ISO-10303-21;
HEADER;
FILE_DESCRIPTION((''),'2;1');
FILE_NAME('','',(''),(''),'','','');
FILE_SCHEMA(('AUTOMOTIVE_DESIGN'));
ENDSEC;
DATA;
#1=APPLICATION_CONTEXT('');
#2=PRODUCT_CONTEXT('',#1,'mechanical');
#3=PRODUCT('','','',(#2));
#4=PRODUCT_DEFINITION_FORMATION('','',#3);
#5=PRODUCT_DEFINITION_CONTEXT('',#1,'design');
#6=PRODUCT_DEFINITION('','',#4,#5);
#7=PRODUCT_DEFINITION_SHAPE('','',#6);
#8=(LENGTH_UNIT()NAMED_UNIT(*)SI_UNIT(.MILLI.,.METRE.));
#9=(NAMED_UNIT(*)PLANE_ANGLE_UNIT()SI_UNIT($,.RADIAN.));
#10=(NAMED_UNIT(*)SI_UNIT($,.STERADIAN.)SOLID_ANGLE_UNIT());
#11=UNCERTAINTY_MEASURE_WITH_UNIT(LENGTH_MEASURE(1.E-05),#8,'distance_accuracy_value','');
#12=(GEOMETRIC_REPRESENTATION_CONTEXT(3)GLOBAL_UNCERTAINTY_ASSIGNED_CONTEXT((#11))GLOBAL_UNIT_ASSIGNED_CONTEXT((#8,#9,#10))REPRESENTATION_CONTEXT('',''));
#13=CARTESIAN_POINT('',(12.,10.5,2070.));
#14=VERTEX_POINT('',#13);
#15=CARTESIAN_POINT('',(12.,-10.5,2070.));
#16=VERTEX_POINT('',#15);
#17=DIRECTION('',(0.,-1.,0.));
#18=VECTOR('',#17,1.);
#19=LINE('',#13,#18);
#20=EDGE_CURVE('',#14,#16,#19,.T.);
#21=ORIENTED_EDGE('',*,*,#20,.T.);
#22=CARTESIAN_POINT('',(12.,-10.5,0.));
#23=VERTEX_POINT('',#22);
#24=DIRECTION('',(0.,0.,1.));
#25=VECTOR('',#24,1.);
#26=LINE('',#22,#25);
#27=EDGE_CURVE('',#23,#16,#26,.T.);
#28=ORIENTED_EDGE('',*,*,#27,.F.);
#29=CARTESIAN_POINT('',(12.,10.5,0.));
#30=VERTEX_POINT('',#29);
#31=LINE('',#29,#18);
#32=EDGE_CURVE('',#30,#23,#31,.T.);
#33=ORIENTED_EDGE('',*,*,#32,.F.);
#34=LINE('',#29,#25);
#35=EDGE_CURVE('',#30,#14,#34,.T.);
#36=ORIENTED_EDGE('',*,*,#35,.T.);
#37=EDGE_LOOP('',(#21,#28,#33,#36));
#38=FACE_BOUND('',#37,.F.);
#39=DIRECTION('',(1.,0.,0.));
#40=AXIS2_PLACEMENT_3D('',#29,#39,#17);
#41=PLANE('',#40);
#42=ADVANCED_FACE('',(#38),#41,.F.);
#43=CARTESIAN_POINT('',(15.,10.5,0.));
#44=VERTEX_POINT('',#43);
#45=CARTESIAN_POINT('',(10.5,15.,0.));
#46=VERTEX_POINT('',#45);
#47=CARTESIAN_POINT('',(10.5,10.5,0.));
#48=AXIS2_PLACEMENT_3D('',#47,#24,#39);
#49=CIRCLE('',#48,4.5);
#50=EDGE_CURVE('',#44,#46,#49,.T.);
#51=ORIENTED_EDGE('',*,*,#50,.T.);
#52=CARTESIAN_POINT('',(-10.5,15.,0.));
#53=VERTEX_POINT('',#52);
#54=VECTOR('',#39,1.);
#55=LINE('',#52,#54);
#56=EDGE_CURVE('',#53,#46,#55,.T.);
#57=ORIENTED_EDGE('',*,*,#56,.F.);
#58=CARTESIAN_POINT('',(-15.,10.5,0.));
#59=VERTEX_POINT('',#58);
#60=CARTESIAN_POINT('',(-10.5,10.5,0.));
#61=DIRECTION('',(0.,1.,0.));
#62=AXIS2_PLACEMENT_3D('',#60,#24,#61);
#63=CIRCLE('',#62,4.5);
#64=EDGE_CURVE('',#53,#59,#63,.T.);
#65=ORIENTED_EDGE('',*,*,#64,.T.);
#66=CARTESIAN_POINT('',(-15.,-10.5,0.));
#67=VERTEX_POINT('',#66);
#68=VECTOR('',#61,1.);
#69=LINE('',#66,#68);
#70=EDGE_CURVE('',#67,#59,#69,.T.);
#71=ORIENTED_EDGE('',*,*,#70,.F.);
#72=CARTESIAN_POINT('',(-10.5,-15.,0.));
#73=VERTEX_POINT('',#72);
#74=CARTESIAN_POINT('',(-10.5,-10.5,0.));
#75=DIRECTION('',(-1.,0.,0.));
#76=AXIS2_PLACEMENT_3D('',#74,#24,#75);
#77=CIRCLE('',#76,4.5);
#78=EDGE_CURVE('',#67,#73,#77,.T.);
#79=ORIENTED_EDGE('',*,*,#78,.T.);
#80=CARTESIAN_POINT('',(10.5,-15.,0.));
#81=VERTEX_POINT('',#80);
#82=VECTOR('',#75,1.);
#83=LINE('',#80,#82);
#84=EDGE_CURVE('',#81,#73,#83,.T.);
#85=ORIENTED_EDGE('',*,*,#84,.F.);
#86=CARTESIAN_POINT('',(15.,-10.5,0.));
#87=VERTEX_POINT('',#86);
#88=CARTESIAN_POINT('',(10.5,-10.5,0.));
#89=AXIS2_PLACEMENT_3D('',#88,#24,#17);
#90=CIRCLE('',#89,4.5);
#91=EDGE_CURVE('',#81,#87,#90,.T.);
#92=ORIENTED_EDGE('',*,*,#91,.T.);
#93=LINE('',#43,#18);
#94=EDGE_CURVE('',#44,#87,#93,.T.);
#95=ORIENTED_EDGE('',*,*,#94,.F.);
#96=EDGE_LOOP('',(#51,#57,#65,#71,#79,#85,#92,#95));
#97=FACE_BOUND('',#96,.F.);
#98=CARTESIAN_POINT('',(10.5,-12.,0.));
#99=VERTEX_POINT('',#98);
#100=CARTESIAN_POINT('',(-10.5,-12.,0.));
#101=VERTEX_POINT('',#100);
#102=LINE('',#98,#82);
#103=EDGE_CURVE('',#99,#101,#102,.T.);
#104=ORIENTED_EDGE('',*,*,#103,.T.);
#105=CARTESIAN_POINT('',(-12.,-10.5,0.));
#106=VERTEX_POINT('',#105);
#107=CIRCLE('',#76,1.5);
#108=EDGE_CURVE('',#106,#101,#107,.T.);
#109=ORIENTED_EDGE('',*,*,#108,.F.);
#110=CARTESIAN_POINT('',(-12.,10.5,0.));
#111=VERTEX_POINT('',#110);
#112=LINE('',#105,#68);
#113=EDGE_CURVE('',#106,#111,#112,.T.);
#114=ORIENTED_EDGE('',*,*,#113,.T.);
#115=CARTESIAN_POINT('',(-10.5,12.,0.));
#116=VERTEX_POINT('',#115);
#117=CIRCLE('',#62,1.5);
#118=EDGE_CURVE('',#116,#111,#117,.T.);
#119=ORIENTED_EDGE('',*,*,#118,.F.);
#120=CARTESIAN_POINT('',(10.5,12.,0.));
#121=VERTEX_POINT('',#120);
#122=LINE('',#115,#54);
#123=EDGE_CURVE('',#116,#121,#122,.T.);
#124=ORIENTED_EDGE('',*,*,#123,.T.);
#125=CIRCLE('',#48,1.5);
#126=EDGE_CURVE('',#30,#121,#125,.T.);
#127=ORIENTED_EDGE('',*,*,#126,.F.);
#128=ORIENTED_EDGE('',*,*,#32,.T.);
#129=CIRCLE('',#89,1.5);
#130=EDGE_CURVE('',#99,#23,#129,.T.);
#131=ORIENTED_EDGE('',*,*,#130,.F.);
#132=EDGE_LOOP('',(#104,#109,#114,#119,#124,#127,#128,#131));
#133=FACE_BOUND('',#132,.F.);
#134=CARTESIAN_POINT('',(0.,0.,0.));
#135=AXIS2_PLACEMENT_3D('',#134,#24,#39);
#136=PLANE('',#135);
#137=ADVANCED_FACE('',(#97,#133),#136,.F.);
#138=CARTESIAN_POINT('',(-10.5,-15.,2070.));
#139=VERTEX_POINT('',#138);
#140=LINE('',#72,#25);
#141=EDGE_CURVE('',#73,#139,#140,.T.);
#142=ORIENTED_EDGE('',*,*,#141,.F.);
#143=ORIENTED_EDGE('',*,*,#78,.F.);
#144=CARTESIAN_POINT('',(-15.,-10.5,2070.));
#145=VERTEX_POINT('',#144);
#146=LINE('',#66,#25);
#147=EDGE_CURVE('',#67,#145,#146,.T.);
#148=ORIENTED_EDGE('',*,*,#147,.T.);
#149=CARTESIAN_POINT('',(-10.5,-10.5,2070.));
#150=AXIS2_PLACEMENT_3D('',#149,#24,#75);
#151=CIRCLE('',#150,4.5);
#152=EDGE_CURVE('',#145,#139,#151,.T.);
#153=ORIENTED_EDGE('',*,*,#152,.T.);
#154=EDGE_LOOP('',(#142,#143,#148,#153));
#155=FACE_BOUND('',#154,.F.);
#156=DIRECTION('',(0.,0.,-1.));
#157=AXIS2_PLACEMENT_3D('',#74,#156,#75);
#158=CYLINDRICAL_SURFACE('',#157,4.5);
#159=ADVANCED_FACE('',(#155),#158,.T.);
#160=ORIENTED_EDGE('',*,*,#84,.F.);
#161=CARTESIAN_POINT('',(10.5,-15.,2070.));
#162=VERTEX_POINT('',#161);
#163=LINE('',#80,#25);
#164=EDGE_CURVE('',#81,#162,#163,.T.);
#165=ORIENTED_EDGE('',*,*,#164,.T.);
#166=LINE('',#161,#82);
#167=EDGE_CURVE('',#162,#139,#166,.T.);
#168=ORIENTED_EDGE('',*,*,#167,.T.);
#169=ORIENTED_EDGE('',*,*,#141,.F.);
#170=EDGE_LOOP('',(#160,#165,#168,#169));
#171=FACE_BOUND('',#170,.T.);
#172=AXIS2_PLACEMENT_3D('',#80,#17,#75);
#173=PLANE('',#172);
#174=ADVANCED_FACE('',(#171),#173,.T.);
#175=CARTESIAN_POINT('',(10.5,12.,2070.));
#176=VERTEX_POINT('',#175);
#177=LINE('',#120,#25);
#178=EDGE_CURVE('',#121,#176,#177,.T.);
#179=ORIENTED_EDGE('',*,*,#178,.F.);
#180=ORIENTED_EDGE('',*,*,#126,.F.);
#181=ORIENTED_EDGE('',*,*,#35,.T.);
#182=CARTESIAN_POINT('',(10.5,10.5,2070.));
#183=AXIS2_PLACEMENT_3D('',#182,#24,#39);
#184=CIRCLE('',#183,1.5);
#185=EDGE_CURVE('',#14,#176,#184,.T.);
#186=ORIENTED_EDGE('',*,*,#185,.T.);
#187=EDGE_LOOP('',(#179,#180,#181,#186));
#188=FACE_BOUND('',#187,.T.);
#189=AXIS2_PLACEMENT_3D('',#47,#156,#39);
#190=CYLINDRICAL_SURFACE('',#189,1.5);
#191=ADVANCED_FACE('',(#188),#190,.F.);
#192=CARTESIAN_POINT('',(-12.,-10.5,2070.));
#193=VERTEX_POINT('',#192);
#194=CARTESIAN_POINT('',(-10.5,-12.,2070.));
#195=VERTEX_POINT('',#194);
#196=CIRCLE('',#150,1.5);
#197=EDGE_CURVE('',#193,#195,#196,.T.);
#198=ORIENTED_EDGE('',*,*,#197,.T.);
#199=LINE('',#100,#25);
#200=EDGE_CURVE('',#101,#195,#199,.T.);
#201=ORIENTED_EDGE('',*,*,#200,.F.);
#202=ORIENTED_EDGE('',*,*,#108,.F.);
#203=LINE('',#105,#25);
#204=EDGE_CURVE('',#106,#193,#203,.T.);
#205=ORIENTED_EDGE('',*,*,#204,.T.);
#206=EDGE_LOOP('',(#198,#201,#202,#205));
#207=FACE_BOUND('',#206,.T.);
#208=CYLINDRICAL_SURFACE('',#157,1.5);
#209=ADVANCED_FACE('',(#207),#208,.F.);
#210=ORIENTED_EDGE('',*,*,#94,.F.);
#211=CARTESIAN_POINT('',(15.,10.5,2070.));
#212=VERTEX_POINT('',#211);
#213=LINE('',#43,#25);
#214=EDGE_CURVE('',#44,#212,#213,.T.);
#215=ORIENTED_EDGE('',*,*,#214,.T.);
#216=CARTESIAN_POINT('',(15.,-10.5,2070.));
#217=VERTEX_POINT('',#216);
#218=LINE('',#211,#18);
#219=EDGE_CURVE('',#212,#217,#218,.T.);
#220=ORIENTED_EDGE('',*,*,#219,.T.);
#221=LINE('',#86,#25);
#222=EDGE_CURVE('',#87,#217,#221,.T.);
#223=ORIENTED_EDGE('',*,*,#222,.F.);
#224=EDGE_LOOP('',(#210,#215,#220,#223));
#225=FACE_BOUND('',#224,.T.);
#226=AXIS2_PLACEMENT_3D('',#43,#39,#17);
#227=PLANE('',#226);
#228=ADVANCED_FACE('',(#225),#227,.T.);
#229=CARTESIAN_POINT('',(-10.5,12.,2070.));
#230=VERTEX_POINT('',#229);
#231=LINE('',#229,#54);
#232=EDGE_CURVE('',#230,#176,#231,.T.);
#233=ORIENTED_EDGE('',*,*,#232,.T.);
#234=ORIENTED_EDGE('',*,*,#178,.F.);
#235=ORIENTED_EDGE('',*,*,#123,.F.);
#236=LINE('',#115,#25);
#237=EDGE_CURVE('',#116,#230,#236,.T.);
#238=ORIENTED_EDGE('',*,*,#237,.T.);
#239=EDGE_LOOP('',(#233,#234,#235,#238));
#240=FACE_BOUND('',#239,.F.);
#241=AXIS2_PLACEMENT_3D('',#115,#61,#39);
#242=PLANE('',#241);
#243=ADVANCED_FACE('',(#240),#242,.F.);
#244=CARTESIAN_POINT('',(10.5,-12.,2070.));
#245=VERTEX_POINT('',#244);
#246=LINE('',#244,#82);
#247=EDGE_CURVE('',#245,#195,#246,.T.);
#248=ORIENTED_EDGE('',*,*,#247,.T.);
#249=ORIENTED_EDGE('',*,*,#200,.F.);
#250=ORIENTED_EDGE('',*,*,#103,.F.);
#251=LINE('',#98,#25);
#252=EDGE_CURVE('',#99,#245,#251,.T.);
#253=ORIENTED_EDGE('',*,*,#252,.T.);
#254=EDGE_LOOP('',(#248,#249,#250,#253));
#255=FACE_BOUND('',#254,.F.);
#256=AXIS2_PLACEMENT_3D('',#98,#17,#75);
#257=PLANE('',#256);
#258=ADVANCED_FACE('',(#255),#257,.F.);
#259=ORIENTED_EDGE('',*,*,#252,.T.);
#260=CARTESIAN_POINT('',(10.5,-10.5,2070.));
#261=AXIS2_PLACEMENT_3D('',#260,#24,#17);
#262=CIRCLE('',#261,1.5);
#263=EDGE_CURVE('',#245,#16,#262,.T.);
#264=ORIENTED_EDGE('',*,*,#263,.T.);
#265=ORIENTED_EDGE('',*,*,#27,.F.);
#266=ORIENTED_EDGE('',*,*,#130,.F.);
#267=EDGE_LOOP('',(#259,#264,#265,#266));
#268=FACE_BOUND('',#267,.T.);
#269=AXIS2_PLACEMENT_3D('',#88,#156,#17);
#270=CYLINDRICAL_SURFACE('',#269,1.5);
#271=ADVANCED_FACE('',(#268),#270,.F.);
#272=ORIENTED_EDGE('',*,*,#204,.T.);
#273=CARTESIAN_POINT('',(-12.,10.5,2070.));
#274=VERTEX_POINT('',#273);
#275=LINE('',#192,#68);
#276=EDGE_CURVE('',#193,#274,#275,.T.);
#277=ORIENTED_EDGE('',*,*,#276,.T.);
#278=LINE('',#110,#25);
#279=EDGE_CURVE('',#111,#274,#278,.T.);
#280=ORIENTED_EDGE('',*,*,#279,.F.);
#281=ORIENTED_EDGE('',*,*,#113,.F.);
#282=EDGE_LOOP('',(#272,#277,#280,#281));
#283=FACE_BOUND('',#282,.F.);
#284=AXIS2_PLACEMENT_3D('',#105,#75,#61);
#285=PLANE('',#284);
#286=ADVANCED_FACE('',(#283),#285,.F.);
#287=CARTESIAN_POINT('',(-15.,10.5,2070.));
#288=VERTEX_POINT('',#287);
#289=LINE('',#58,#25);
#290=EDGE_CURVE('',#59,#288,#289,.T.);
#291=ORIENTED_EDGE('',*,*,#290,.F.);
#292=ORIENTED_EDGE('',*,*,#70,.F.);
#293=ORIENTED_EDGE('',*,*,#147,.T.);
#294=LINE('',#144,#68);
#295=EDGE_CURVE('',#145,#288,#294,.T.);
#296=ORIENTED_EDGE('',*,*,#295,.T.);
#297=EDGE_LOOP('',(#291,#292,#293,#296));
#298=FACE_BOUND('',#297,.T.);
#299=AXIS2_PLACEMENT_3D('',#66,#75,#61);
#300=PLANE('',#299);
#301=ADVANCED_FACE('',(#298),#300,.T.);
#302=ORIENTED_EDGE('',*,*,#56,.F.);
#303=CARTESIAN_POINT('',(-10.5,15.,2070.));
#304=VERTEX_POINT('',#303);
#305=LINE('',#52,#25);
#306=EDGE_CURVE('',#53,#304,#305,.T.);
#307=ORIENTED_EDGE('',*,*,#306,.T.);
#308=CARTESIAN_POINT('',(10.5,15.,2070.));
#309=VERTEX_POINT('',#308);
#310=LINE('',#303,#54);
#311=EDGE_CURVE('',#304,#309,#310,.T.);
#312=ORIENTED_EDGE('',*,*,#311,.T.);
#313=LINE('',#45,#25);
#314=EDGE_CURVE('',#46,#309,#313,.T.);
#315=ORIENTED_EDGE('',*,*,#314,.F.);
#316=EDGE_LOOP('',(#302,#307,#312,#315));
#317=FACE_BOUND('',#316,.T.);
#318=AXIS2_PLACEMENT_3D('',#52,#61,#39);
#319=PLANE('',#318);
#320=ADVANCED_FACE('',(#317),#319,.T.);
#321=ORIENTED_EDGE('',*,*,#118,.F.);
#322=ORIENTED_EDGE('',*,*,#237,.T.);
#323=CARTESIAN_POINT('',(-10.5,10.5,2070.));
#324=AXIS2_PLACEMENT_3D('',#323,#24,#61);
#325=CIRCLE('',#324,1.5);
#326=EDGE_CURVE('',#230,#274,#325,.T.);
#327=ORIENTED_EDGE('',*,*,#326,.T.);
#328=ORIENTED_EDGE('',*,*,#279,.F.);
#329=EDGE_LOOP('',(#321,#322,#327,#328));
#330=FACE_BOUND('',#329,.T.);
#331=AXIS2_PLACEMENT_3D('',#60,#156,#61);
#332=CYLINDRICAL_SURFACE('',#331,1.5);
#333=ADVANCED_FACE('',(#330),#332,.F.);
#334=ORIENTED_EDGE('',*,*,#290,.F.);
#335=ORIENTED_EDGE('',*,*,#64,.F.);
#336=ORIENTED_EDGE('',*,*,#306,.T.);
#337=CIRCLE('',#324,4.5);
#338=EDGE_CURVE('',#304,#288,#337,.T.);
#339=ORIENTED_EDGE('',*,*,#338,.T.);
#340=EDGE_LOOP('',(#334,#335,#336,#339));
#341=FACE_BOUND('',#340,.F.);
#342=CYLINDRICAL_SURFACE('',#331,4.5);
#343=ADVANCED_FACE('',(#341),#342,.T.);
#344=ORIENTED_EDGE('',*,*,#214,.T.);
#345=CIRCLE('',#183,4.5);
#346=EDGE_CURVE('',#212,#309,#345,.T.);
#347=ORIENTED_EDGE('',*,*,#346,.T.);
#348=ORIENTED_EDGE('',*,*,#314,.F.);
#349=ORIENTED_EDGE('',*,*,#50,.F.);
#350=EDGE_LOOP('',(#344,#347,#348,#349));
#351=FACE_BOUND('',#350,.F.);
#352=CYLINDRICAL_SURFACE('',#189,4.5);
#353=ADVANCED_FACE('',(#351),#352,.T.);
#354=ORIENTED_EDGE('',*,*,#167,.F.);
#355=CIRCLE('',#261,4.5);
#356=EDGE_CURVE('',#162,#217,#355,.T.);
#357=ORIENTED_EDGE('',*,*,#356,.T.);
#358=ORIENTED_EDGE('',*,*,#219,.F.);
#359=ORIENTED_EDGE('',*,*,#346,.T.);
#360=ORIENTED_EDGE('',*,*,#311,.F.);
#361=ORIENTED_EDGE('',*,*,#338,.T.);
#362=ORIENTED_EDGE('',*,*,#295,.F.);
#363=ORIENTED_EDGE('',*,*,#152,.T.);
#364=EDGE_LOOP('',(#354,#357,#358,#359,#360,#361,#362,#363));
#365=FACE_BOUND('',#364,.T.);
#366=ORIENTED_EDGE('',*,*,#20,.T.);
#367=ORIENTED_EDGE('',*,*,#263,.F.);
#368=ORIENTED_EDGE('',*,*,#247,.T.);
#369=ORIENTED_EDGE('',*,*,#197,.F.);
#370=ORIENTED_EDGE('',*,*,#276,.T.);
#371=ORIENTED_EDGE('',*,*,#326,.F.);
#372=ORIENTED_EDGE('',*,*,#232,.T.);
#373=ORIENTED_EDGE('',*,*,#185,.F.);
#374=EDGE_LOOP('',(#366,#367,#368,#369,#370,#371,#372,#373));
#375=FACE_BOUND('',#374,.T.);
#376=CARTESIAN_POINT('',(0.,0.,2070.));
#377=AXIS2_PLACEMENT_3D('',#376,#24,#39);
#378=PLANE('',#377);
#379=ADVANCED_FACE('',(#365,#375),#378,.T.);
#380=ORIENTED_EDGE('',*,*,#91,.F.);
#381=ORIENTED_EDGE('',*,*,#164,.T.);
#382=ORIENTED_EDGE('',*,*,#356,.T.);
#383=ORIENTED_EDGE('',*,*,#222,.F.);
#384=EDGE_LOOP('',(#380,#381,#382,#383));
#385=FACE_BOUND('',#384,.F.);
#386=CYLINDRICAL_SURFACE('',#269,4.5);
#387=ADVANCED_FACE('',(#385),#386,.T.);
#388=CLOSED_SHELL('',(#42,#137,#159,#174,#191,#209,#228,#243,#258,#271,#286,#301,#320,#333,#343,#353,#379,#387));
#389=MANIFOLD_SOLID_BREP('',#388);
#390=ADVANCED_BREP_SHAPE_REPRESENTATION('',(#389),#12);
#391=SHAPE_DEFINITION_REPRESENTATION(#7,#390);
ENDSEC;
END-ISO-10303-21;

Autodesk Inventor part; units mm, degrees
ref_plane "YZ Plane" through (0, 0, 0) normal (1, 0, 0) x (0, 1, 0)
ref_plane "Plano inicial" through (0, 0, 0) normal (0, 0, 1) x (1, 0, 0)
ref_plane "Plano final" through (0, 0, 2070) normal (0, 0, 1) x (1, 0, 0)
sketch "Rascunho" plane through (0, 0, 0) normal (0, 0, 1) x (1, 0, 0)
  line L0 (-15, -10.5) -> (-15, 10.5)
  line L1 (-10.5, 15) -> (10.5, 15)
  line L2 (15, 10.5) -> (15, -10.5)
  line L3 (10.5, -15) -> (-10.5, -15)
  arc A0 (-15, -10.5) -> (-10.5, -15) centre (-10.5, -10.5) ccw
  arc A1 (-10.5, 15) -> (-15, 10.5) centre (-10.5, 10.5) ccw
  arc A2 (15, 10.5) -> (10.5, 15) centre (10.5, 10.5) ccw
  arc A3 (10.5, -15) -> (15, -10.5) centre (10.5, -10.5) ccw
  arc A4 (-10.5, 12) -> (-12, 10.5) centre (-10.5, 10.5) ccw
  line L4 (-10.5, 12) -> (10.5, 12)
  arc A5 (12, 10.5) -> (10.5, 12) centre (10.5, 10.5) ccw
  line L5 (12, 10.5) -> (12, -10.5)
  arc A6 (10.5, -12) -> (12, -10.5) centre (10.5, -10.5) ccw
  line L6 (10.5, -12) -> (-10.5, -12)
  arc A7 (-12, -10.5) -> (-10.5, -12) centre (-10.5, -10.5) ccw
  line L7 (-12, -10.5) -> (-12, 10.5)
  line L8 (0, 37.1021) -> (0, -37.1021) construction
  line L9 (-23.1021, 0) -> (23.1021, 0) construction
  dimension "d7" = 4.5
  dimension "d10" = 30
  dimension "d11" = 30
  dimension "d12" = 3
  dimension "d15" = 15
  dimension "d16" = 15
extrude "Corpo" add sketch "Rascunho" along normal up to surface (2070 mm away) from surface at 0
sketch "Sketch3" plane through (0, 0, 0) normal (0, 0, 1) x (1, 0, 0)
  line L0 (0, 0) -> (10, 0)
ref_plane "Work Plane3" through (0, 0, 0) normal (0, -1, 0) x (1, 0, 0)
sketch "Sketch4" plane through (0, 0, 0) normal (0, -1, 0) x (1, 0, 0)
  line L0 (-2, 0) -> (12, 0) projected
  line L1 (-2, 2070) -> (12, 2070) projected
  dimension "d18" = 2070
equation "\"d7\" = G_IR"
equation "\"d10\" = G_H"
equation "\"d11\" = G_W"
equation "\"d12\" = G_T"
equation "\"d15\" = 0.5 * d10"
equation "\"d16\" = 0.5 * d11"
equation "\"d3\" = G_L"
equation "\"G_W\" = 30"
equation "\"G_H\" = 30"
equation "\"G_T\" = 3"
equation "\"G_IR\" = 4.5"
equation "\"G_L\" = d18"
equation "\"G_OFFSET_START\" = 0"
equation "\"G_OFFSET_END\" = 0"
properties part number "ISO 12633-2 - 30x30x3 - 2070" material "Aço, suave"
